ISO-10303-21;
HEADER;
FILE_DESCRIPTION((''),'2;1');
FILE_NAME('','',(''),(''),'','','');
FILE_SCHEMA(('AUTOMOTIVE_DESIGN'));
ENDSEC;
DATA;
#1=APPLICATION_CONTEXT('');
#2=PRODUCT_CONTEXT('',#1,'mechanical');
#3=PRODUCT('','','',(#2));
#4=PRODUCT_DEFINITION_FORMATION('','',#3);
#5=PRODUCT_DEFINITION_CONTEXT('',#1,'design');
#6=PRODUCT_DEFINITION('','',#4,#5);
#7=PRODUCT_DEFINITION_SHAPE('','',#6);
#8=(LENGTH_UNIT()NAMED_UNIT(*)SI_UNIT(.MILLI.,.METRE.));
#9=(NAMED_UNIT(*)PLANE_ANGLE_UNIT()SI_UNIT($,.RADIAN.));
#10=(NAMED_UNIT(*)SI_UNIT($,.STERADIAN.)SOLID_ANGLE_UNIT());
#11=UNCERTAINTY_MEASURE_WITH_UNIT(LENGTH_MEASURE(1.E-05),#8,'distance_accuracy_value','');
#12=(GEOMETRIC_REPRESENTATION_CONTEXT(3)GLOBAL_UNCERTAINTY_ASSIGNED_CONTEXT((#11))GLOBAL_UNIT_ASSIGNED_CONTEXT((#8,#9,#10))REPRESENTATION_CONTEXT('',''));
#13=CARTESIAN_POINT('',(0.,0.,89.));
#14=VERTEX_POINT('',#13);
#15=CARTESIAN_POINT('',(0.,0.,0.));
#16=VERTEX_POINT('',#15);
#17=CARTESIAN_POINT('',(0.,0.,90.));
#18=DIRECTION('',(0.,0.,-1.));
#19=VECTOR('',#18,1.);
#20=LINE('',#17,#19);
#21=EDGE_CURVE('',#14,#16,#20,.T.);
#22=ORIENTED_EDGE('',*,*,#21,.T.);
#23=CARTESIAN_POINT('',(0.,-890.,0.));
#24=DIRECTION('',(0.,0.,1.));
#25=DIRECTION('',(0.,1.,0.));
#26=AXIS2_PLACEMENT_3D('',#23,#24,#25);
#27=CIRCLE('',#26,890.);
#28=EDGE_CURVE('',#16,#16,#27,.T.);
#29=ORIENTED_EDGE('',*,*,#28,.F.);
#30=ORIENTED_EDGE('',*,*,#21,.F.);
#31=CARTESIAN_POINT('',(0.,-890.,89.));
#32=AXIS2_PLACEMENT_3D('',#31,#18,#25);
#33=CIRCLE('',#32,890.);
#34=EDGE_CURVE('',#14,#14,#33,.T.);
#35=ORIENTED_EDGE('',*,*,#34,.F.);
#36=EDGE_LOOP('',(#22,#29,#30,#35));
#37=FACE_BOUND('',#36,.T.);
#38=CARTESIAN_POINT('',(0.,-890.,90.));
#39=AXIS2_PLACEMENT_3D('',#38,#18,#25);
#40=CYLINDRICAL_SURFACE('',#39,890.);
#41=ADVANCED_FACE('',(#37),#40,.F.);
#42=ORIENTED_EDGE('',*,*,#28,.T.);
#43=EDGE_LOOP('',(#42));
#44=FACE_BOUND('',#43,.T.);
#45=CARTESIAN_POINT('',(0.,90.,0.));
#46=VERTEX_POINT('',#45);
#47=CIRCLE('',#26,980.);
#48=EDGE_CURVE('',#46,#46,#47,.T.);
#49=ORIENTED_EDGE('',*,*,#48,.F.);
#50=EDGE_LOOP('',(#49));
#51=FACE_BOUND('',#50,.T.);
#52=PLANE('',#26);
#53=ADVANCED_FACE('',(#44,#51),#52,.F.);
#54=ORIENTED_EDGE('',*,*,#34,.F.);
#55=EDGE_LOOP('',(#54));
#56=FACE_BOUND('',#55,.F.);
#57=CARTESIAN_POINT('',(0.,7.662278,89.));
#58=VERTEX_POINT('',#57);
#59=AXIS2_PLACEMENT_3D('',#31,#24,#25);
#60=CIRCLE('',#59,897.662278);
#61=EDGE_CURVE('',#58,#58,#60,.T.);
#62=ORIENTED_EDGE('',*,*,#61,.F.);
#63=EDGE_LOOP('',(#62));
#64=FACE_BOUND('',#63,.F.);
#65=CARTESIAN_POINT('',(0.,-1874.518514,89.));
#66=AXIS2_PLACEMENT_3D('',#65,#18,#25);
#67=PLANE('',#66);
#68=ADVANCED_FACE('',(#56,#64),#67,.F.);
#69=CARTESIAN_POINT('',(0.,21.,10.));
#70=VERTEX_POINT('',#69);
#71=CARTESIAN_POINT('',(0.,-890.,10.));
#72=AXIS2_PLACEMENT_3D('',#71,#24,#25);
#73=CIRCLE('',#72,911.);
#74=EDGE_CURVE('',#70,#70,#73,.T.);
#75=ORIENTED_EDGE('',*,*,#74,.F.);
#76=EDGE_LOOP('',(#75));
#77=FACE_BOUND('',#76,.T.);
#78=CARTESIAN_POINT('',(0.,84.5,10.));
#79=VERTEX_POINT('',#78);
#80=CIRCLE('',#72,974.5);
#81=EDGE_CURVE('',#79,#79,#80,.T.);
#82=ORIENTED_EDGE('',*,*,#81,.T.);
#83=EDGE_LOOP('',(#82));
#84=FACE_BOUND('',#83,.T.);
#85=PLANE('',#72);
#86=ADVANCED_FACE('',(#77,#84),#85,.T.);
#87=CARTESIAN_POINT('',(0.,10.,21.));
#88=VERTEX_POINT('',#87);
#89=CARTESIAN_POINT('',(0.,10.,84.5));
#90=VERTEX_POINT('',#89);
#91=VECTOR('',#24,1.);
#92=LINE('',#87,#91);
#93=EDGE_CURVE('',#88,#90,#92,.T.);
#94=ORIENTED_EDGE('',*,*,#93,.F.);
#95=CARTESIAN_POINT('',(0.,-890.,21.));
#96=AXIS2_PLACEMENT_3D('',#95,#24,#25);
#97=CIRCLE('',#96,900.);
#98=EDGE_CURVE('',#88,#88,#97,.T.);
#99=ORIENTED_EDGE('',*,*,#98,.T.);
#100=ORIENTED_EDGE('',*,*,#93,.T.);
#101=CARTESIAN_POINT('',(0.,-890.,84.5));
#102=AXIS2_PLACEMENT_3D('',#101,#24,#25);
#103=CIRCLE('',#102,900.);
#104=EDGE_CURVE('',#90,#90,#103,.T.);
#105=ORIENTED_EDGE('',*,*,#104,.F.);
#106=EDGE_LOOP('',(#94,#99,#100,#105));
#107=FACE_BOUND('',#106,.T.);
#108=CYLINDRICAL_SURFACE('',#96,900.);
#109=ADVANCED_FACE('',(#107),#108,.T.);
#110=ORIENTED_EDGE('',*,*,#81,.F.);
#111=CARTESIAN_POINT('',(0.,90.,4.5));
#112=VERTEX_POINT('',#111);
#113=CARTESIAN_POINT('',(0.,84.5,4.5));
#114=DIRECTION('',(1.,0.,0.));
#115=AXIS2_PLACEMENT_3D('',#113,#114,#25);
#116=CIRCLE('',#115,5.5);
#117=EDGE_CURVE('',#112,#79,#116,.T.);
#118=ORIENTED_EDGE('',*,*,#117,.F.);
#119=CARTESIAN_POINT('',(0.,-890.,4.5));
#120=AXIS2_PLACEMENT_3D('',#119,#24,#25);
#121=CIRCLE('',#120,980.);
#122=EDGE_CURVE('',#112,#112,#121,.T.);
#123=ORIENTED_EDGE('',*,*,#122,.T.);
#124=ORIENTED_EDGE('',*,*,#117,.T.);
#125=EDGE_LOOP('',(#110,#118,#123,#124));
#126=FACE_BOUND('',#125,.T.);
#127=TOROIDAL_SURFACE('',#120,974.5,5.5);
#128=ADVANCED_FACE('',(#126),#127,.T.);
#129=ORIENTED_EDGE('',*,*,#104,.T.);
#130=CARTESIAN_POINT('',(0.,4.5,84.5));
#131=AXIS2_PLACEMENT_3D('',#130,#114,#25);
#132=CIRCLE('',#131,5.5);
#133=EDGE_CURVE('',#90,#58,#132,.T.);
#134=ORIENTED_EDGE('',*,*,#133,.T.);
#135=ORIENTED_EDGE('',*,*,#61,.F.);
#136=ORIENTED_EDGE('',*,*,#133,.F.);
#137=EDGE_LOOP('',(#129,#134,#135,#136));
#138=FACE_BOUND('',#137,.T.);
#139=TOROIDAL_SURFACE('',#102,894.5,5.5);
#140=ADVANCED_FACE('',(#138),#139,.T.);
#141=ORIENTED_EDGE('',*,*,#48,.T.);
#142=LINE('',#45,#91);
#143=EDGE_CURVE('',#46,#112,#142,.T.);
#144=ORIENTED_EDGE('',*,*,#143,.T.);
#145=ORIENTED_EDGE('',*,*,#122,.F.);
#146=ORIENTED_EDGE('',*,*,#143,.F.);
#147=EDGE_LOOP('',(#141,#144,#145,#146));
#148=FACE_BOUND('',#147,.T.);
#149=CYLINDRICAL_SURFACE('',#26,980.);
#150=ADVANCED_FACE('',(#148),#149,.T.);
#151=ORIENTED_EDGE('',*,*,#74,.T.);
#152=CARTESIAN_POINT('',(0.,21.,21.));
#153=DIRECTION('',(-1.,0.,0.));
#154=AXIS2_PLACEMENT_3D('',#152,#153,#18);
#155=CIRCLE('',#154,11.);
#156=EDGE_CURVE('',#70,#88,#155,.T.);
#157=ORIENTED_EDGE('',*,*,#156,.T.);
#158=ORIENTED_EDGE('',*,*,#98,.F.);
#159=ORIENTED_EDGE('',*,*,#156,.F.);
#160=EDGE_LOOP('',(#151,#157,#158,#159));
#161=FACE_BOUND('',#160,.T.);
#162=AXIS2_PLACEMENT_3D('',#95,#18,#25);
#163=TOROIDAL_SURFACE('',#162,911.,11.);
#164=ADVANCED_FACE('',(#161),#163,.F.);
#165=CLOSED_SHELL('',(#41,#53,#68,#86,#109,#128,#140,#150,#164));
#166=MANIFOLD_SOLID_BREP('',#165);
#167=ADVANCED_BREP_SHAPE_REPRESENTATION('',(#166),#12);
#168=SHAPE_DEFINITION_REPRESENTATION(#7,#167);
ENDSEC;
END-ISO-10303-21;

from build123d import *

# Parameters (mm, degrees)
F2_W     = 1953.7661696216
F2_H     = 27.2181874708
F3_DEPTH = 900


with BuildPart() as f1:
    # F0 (on Right) → F1 (revolve)
    with BuildSketch(Plane.YZ):
        with BuildLine():
            Line((4.5, 90), (0, 90))
            Line((0, 90), (0, 0))
            Line((0, 0), (90, 0))
            Line((90, 0), (90, 4.5))
            ThreePointArc((90, 4.5), (88.3890872965, 8.3890872965), (84.5, 10))
            Line((84.5, 10), (21, 10))
            ThreePointArc((21, 10), (13.2218254069, 13.2218254069), (10, 21))
            Line((10, 21), (10, 84.5))
            ThreePointArc((10, 84.5), (8.3890872965, 88.3890872965), (4.5, 90))
        make_face()
    revolve(axis=Axis((0, -890, 43.0200174451), (0, 0, 1)))

    # F2 (on Right) → F3 (cut, symmetric)
    with BuildSketch(Plane.YZ):
        with Locations((-897.6354291663, 102.6090937354)):
            Rectangle(F2_W, F2_H)
    extrude(amount=F3_DEPTH, both=True, mode=Mode.SUBTRACT)


solid = f1.part
